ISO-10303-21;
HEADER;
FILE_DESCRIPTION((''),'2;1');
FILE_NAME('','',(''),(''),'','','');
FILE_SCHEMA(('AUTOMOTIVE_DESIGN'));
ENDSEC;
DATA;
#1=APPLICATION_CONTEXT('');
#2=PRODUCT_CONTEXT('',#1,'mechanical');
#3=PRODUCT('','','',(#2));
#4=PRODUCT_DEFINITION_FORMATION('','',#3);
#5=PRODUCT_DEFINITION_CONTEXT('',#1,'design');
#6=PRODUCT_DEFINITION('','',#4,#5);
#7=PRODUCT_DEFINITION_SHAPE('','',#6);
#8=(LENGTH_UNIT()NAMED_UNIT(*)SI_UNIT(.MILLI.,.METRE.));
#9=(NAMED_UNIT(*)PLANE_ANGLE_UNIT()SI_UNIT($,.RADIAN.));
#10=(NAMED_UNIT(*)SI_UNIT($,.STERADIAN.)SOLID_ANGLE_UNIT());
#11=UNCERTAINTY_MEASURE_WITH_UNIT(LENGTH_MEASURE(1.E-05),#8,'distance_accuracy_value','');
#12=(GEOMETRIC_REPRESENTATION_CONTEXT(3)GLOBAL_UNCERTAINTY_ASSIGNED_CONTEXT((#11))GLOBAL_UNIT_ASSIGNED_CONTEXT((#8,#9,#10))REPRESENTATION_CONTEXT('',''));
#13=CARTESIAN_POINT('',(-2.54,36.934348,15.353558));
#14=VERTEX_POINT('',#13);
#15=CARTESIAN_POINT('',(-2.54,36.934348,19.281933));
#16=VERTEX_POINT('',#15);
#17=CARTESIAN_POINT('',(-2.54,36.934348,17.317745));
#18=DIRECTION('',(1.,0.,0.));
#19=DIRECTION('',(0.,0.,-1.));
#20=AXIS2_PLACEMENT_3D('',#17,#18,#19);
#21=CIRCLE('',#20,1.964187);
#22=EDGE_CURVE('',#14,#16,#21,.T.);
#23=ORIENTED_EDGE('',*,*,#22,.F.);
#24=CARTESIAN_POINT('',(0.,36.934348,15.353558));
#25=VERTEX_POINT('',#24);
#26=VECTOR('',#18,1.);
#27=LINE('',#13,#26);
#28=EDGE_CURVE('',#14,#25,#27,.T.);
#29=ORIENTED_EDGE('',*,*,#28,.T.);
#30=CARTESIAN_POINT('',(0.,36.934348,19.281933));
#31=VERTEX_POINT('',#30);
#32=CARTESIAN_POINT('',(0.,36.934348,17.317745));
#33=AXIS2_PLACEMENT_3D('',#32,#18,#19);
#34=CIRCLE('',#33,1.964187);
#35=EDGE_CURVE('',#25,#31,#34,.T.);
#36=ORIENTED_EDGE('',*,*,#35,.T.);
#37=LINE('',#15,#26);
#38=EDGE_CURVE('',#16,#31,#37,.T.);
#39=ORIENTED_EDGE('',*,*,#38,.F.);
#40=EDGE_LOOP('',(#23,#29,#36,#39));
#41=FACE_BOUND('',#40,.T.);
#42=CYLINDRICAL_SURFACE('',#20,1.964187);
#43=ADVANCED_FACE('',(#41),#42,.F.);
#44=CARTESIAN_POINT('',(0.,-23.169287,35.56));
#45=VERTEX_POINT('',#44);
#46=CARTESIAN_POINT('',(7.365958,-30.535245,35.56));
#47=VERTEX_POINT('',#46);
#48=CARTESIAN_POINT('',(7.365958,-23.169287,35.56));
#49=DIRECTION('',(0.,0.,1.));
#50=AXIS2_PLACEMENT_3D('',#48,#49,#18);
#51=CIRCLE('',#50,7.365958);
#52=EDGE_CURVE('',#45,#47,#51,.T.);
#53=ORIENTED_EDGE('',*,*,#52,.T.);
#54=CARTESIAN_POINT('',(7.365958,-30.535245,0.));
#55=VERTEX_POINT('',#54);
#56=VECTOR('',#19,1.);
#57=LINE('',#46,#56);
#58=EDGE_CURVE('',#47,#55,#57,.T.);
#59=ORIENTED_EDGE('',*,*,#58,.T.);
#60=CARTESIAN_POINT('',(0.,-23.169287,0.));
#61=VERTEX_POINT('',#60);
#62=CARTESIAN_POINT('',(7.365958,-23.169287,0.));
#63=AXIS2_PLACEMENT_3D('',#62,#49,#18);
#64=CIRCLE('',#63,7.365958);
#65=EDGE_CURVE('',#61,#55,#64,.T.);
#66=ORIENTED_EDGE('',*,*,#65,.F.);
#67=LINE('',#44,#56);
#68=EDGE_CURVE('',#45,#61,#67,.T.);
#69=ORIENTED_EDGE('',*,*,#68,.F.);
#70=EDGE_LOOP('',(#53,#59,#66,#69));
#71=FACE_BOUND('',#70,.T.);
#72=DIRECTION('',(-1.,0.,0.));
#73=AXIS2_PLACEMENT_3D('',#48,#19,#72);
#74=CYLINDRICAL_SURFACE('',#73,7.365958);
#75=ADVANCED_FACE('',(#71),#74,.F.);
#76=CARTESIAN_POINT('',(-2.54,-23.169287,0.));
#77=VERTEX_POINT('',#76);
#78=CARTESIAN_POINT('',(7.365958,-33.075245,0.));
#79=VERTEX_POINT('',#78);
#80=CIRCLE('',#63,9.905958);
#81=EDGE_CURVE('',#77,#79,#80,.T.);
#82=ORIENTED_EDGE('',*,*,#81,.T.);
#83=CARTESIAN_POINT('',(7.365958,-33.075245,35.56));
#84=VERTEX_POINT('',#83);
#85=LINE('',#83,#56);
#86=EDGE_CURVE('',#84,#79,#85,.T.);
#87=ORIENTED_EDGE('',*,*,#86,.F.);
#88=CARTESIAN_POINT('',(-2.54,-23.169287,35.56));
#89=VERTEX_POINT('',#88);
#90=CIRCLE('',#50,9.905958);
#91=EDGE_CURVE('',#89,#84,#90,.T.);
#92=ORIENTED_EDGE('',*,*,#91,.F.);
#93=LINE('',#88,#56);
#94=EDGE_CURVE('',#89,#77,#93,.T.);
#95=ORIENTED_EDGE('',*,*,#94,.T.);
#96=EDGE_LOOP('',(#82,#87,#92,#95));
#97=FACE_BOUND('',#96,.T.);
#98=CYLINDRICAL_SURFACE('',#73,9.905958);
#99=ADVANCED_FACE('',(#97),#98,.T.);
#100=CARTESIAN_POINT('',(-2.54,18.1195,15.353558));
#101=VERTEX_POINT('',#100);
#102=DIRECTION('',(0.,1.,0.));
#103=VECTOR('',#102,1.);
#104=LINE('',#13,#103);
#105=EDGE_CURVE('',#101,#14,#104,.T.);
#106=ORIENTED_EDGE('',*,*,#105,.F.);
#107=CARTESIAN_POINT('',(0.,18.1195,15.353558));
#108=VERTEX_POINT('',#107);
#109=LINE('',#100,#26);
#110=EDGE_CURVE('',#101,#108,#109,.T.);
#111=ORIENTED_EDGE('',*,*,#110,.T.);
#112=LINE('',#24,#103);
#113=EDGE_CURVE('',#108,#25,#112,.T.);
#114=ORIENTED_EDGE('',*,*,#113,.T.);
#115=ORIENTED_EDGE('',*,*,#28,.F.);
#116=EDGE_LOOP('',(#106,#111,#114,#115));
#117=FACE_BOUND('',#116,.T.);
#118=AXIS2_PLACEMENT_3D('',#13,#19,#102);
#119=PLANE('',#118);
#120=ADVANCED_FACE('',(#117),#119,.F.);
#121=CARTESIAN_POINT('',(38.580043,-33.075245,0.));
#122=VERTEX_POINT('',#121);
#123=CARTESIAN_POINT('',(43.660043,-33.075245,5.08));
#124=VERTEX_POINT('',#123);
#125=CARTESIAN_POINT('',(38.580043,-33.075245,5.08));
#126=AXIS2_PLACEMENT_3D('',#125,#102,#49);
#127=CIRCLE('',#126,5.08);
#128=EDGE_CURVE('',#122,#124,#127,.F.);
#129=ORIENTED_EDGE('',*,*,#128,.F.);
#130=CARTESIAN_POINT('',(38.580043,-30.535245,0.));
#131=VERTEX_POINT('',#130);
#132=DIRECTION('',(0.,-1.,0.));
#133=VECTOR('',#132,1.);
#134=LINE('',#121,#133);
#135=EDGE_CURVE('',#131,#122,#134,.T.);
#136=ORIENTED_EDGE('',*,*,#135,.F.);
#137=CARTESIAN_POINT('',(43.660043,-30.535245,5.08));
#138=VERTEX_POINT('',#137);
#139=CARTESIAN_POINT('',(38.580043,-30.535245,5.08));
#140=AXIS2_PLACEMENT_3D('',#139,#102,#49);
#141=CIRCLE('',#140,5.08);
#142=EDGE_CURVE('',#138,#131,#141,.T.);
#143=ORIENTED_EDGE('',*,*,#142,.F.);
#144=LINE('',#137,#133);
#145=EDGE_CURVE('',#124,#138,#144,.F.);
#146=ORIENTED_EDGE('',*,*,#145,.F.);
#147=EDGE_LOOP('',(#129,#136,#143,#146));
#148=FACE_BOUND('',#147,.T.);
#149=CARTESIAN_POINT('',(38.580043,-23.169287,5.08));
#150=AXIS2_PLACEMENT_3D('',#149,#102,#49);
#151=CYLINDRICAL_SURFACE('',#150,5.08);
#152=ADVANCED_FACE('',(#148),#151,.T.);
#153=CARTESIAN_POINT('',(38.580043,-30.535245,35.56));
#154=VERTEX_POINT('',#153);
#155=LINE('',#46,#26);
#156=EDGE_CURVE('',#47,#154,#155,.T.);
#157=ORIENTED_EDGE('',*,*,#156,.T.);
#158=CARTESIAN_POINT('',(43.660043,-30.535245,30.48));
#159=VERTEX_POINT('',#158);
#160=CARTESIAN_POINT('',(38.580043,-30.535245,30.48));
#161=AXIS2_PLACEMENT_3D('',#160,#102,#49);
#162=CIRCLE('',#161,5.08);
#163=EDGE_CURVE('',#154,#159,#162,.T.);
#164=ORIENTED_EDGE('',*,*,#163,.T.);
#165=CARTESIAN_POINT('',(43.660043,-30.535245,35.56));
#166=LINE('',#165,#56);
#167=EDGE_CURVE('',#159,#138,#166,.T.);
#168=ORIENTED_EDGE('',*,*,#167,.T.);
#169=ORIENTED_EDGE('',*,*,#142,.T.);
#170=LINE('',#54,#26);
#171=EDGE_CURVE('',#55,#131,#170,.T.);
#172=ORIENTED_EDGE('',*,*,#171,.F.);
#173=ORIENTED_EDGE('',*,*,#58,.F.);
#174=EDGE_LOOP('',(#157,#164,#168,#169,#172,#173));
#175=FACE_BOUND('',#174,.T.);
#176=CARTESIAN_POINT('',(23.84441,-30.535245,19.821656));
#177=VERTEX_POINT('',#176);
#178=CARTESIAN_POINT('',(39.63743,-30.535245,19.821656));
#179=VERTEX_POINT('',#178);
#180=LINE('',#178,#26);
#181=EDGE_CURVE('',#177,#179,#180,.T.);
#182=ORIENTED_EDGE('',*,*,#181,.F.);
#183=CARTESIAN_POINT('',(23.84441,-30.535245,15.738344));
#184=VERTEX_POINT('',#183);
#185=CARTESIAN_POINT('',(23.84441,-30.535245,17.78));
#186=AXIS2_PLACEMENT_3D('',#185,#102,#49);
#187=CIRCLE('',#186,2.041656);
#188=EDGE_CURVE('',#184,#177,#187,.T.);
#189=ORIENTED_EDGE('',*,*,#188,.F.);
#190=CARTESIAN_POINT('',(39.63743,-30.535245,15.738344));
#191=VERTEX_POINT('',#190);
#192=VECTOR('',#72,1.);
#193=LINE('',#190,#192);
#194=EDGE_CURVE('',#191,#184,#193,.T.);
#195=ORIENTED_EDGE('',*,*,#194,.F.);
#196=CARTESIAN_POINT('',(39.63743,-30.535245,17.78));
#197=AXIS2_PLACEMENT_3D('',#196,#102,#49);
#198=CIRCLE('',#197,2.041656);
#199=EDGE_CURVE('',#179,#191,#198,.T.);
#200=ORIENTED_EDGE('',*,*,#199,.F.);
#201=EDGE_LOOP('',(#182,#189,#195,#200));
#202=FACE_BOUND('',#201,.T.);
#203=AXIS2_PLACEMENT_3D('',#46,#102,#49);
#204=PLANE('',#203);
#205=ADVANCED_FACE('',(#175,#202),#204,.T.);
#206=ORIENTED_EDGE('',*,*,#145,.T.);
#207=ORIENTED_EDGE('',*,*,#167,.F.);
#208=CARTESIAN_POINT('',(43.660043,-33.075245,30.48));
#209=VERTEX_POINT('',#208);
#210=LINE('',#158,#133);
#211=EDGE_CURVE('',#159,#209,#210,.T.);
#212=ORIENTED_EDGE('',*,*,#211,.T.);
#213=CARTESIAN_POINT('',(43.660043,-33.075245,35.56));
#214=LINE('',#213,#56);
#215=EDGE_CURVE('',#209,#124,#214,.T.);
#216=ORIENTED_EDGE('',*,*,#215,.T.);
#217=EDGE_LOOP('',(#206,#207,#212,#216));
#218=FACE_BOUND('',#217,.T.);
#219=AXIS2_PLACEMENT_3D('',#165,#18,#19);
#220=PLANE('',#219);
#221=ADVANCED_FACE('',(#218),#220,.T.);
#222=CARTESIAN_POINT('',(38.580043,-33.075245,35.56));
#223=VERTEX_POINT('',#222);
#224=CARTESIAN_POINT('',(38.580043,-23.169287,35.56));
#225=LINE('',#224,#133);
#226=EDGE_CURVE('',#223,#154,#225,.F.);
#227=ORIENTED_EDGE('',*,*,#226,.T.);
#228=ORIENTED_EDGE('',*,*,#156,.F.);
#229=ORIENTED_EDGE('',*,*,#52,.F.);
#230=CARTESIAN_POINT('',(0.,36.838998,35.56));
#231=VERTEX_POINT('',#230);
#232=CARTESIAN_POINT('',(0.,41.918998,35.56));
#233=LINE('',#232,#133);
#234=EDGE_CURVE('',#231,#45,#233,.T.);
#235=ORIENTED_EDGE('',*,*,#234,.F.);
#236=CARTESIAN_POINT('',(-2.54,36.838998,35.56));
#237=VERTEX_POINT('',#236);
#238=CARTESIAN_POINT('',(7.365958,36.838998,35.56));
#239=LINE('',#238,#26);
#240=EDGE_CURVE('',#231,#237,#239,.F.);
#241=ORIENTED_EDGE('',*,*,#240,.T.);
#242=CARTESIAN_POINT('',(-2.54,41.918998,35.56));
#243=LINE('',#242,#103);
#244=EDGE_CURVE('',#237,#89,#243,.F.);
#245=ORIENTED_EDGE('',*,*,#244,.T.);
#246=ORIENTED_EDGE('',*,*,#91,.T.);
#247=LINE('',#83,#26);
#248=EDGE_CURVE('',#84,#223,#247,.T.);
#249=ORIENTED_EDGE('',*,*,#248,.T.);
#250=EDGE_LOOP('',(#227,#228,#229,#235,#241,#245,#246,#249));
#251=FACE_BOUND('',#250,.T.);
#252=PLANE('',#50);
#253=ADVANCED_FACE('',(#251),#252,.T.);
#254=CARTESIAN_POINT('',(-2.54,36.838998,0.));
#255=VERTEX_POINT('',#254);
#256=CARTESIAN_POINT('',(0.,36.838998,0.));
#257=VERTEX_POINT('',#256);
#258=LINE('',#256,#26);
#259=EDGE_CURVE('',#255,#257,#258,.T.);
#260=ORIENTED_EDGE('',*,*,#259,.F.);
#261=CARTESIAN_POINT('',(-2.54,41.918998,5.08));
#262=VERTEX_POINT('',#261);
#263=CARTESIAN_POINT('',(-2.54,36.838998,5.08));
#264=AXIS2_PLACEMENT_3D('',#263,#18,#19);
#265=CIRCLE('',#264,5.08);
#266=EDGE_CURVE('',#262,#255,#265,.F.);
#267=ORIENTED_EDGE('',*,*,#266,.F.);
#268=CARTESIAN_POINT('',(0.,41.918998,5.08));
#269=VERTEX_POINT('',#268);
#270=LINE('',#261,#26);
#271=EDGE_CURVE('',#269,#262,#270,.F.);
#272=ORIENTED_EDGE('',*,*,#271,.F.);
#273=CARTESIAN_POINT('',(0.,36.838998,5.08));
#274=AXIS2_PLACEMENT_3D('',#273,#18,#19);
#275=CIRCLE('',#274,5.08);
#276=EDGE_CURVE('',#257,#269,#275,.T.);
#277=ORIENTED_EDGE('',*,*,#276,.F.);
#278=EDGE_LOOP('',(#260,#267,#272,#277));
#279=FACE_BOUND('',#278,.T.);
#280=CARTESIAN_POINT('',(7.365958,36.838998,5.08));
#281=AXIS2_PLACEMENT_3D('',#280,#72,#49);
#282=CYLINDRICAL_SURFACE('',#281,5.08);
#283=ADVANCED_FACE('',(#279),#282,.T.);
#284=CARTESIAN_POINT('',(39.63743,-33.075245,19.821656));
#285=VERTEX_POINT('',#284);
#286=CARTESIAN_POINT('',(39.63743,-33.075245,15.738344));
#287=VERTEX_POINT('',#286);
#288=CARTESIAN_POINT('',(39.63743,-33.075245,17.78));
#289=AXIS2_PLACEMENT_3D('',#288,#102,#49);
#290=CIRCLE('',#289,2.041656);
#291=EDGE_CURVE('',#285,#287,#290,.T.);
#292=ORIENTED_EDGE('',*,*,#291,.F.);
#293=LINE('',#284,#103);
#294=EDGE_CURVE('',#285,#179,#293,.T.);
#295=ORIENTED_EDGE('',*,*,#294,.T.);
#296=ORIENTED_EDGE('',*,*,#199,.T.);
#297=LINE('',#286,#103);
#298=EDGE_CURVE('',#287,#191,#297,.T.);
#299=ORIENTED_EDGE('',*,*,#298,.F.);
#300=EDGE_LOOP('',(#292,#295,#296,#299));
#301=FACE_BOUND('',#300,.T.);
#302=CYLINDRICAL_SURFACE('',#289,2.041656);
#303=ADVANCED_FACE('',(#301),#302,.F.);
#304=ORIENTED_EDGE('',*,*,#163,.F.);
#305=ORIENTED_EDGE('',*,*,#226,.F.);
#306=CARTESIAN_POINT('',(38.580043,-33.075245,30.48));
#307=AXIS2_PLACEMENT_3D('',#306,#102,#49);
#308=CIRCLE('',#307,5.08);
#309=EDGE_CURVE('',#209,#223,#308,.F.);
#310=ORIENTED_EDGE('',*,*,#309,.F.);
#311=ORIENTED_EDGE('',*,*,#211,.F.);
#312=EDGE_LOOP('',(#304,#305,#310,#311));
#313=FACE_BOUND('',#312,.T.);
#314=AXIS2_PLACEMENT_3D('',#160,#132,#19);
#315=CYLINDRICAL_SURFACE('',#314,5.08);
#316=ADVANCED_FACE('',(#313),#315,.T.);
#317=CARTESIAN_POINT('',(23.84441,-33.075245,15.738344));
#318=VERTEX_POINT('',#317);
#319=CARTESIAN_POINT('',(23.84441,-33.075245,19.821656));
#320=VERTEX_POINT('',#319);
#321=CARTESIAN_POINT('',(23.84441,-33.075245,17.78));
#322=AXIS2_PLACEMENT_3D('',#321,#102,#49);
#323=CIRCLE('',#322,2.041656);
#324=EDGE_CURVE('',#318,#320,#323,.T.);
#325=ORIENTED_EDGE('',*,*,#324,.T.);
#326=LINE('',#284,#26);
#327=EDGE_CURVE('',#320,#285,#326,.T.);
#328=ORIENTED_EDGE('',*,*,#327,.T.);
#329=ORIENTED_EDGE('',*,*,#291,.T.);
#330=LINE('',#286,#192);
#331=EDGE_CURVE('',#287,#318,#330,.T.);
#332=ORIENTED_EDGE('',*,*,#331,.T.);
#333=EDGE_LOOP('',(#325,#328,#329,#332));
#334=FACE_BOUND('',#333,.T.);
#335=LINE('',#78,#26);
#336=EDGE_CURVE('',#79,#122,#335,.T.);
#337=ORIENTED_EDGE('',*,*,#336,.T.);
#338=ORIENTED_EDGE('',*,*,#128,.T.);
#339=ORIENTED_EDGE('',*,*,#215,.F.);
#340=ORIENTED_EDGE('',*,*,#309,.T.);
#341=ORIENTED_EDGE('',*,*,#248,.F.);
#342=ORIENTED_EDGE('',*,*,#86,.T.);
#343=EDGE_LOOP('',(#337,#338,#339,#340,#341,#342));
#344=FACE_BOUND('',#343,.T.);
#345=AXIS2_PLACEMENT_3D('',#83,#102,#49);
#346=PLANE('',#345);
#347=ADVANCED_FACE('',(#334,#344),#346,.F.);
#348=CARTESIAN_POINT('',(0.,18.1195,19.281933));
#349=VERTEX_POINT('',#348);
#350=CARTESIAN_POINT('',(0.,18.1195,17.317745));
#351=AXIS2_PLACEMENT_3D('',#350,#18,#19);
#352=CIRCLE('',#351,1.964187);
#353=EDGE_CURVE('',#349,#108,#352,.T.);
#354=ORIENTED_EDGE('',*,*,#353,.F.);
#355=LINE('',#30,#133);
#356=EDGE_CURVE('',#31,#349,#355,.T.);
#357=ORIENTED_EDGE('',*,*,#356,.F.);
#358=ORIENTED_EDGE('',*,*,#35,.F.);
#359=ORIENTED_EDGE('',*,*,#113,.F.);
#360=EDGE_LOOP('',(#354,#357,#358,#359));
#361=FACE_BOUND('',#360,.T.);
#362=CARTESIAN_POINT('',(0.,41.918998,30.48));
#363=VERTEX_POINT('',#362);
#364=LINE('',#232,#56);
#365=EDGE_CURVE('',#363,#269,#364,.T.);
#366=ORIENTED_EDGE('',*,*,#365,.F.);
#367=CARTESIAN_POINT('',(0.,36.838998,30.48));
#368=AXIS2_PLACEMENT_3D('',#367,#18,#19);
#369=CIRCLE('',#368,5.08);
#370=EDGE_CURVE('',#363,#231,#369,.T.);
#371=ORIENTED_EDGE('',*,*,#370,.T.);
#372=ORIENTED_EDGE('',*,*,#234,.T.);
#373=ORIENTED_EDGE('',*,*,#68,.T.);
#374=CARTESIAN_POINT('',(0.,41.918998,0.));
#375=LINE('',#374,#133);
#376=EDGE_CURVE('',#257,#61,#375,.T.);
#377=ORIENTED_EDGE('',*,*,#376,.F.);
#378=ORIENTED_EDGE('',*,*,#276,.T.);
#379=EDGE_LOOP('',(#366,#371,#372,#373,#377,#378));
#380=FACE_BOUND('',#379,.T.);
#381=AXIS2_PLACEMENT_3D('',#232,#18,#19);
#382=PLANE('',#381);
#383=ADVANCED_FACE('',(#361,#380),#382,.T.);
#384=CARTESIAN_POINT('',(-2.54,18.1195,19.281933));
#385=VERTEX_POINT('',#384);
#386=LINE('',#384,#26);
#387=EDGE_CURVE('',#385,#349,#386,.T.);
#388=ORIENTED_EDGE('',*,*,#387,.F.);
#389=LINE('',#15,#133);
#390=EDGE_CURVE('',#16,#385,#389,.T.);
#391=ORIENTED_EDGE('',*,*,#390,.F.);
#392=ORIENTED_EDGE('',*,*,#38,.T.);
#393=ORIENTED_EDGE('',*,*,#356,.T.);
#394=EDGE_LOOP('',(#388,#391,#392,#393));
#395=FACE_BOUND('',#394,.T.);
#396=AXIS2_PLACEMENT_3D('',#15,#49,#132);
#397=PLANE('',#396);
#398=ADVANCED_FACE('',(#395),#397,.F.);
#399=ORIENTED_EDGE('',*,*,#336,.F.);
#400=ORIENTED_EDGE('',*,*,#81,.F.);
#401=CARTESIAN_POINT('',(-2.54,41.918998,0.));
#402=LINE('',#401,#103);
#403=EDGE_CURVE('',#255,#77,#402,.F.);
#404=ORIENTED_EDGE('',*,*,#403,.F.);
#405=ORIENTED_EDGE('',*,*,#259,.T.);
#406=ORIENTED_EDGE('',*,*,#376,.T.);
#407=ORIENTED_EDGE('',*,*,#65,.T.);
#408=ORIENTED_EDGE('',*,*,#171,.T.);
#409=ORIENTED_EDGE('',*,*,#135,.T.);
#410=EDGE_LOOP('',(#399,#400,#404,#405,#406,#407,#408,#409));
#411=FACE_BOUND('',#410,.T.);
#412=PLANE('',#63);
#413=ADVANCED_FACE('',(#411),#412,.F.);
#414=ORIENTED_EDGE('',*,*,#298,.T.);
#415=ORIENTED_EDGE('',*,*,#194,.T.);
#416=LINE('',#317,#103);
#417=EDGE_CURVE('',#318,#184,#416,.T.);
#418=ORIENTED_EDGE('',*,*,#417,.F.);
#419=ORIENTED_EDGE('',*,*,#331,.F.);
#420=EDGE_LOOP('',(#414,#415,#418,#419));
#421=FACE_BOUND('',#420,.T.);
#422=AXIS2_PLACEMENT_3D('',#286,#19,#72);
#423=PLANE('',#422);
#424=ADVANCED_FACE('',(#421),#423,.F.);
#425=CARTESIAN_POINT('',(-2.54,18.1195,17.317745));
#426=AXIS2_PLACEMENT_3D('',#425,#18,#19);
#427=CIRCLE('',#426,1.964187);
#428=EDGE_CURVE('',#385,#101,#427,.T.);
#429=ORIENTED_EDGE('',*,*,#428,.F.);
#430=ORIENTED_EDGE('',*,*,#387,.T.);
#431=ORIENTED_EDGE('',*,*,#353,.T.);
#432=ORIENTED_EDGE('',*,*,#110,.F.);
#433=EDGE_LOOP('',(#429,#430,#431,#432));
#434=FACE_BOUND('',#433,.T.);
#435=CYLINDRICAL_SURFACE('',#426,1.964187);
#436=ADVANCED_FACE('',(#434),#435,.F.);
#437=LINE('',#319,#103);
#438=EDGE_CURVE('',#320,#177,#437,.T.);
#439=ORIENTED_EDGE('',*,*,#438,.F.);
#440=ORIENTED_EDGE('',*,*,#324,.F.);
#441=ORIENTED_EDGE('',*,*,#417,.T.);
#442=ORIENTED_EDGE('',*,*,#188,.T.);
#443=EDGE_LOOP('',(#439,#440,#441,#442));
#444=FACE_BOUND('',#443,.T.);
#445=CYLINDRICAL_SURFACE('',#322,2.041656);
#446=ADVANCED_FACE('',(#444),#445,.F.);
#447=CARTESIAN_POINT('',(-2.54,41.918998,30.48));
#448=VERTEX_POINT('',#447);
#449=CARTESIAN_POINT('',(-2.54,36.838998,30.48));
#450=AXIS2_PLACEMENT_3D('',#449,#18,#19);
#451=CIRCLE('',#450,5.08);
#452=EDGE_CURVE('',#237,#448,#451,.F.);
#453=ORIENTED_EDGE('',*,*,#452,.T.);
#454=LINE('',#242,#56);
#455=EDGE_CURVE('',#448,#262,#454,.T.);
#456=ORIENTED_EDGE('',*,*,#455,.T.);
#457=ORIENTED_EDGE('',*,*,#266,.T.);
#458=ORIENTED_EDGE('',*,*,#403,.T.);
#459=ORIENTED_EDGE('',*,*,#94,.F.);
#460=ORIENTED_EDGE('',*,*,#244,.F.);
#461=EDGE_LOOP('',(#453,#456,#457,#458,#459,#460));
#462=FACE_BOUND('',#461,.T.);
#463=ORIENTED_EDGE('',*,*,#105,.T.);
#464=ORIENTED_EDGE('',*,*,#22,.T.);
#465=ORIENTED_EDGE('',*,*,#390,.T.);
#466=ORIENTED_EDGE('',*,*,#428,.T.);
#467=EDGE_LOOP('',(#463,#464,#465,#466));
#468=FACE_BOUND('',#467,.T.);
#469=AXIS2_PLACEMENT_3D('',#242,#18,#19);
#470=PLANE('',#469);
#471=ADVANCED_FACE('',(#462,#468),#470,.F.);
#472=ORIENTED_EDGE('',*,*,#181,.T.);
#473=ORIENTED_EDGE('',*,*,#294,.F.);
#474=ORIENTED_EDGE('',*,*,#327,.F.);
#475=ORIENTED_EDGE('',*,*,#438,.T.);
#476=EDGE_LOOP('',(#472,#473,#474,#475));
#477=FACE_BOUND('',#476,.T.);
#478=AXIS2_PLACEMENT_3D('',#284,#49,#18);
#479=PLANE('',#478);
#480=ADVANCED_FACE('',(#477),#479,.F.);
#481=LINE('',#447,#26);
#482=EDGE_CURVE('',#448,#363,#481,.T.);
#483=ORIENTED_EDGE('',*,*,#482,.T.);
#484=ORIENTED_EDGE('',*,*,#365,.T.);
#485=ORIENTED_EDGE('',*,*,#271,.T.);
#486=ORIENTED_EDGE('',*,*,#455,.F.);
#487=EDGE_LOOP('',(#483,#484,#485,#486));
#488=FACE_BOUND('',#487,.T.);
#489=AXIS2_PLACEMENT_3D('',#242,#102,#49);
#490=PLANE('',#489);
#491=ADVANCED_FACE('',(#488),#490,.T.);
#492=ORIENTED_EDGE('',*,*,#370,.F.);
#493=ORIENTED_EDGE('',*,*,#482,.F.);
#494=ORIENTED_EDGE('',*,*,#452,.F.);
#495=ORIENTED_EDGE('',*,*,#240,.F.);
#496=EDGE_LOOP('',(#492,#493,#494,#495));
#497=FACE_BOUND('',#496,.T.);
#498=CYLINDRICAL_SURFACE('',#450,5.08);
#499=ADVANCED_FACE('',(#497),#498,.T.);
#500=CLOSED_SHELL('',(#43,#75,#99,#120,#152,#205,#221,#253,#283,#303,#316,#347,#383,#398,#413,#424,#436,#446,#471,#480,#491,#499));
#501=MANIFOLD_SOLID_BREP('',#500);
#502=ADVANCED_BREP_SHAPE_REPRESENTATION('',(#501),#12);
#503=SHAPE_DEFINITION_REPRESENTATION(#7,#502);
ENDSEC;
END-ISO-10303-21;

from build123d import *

# Parameters (mm, degrees)
EXTRUDE_THIN1_DEPTH = 35.56
FILLET1_R           = 5.08
CUT_EXTRUDE1_DEPTH  = 71.199112173
CUT_EXTRUDE2_DEPTH  = 92.762357485


with BuildPart() as part:
    # Sketch1 → Extrude-Thin1 (new body)
    with BuildSketch(Plane.XY):
        with BuildLine():
            Line((0, 41.918998188), (0, -23.169286538))
            ThreePointArc((0, -23.169286538), (2.157439192, -28.377805495), (7.365958148, -30.535244686))
            Line((7.365958148, -30.535244686), (43.660042841, -30.535244686))
            Line((43.660042841, -30.535244686), (43.660042841, -33.075244686))
            Line((43.660042841, -33.075244686), (7.365958148, -33.075244686))
            ThreePointArc((7.365958148, -33.075244686), (0.361387967, -30.173856719), (-2.54, -23.169286538))
            Line((-2.54, -23.169286538), (-2.54, 41.918998188))
            Line((-2.54, 41.918998188), (0, 41.918998188))
        make_face()
    extrude(amount=EXTRUDE_THIN1_DEPTH)

    # Fillet1
    fillet1_edges = [part.edges().sort_by_distance(p)[0] for p in [
        (-1.27, 41.918998188, 35.56),
        (-1.27, 41.918998188, 0),
        (43.660042841, -31.805244686, 35.56),
        (43.660042841, -31.805244686, 0),
    ]]
    fillet(fillet1_edges, radius=FILLET1_R)

    # Sketch2 → Cut-Extrude1 (cut, through all)
    with BuildSketch(Plane(origin=(0, 0, 0), x_dir=(0, 0, -1), z_dir=(1, 0, 0))):
        with BuildLine():
            Line((-15.353557986, 36.934347618), (-15.353557986, 18.119499612))
            ThreePointArc((-15.353557986, 18.119499612), (-17.317745415, 16.155312183), (-19.281932844, 18.119499612))
            Line((-19.281932844, 18.119499612), (-19.281932844, 36.934347618))
            ThreePointArc((-19.281932844, 36.934347618), (-17.317745415, 38.898535047), (-15.353557986, 36.934347618))
        make_face()
    extrude(amount=-CUT_EXTRUDE1_DEPTH, mode=Mode.SUBTRACT)

    # Sketch3 → Cut-Extrude2 (cut, through all)
    with BuildSketch(Plane(origin=(0, -30.535244686, 0), x_dir=(1, 0, 0), z_dir=(0, 1, 0))):
        with BuildLine():
            Line((39.637430097, -19.821656487), (23.84441046, -19.821656487))
            ThreePointArc((23.84441046, -19.821656487), (21.802753973, -17.78), (23.84441046, -15.738343513))
            Line((23.84441046, -15.738343513), (39.637430097, -15.738343513))
            ThreePointArc((39.637430097, -15.738343513), (41.679086584, -17.78), (39.637430097, -19.821656487))
        make_face()
    extrude(amount=-CUT_EXTRUDE2_DEPTH, mode=Mode.SUBTRACT)


solid = part.part
